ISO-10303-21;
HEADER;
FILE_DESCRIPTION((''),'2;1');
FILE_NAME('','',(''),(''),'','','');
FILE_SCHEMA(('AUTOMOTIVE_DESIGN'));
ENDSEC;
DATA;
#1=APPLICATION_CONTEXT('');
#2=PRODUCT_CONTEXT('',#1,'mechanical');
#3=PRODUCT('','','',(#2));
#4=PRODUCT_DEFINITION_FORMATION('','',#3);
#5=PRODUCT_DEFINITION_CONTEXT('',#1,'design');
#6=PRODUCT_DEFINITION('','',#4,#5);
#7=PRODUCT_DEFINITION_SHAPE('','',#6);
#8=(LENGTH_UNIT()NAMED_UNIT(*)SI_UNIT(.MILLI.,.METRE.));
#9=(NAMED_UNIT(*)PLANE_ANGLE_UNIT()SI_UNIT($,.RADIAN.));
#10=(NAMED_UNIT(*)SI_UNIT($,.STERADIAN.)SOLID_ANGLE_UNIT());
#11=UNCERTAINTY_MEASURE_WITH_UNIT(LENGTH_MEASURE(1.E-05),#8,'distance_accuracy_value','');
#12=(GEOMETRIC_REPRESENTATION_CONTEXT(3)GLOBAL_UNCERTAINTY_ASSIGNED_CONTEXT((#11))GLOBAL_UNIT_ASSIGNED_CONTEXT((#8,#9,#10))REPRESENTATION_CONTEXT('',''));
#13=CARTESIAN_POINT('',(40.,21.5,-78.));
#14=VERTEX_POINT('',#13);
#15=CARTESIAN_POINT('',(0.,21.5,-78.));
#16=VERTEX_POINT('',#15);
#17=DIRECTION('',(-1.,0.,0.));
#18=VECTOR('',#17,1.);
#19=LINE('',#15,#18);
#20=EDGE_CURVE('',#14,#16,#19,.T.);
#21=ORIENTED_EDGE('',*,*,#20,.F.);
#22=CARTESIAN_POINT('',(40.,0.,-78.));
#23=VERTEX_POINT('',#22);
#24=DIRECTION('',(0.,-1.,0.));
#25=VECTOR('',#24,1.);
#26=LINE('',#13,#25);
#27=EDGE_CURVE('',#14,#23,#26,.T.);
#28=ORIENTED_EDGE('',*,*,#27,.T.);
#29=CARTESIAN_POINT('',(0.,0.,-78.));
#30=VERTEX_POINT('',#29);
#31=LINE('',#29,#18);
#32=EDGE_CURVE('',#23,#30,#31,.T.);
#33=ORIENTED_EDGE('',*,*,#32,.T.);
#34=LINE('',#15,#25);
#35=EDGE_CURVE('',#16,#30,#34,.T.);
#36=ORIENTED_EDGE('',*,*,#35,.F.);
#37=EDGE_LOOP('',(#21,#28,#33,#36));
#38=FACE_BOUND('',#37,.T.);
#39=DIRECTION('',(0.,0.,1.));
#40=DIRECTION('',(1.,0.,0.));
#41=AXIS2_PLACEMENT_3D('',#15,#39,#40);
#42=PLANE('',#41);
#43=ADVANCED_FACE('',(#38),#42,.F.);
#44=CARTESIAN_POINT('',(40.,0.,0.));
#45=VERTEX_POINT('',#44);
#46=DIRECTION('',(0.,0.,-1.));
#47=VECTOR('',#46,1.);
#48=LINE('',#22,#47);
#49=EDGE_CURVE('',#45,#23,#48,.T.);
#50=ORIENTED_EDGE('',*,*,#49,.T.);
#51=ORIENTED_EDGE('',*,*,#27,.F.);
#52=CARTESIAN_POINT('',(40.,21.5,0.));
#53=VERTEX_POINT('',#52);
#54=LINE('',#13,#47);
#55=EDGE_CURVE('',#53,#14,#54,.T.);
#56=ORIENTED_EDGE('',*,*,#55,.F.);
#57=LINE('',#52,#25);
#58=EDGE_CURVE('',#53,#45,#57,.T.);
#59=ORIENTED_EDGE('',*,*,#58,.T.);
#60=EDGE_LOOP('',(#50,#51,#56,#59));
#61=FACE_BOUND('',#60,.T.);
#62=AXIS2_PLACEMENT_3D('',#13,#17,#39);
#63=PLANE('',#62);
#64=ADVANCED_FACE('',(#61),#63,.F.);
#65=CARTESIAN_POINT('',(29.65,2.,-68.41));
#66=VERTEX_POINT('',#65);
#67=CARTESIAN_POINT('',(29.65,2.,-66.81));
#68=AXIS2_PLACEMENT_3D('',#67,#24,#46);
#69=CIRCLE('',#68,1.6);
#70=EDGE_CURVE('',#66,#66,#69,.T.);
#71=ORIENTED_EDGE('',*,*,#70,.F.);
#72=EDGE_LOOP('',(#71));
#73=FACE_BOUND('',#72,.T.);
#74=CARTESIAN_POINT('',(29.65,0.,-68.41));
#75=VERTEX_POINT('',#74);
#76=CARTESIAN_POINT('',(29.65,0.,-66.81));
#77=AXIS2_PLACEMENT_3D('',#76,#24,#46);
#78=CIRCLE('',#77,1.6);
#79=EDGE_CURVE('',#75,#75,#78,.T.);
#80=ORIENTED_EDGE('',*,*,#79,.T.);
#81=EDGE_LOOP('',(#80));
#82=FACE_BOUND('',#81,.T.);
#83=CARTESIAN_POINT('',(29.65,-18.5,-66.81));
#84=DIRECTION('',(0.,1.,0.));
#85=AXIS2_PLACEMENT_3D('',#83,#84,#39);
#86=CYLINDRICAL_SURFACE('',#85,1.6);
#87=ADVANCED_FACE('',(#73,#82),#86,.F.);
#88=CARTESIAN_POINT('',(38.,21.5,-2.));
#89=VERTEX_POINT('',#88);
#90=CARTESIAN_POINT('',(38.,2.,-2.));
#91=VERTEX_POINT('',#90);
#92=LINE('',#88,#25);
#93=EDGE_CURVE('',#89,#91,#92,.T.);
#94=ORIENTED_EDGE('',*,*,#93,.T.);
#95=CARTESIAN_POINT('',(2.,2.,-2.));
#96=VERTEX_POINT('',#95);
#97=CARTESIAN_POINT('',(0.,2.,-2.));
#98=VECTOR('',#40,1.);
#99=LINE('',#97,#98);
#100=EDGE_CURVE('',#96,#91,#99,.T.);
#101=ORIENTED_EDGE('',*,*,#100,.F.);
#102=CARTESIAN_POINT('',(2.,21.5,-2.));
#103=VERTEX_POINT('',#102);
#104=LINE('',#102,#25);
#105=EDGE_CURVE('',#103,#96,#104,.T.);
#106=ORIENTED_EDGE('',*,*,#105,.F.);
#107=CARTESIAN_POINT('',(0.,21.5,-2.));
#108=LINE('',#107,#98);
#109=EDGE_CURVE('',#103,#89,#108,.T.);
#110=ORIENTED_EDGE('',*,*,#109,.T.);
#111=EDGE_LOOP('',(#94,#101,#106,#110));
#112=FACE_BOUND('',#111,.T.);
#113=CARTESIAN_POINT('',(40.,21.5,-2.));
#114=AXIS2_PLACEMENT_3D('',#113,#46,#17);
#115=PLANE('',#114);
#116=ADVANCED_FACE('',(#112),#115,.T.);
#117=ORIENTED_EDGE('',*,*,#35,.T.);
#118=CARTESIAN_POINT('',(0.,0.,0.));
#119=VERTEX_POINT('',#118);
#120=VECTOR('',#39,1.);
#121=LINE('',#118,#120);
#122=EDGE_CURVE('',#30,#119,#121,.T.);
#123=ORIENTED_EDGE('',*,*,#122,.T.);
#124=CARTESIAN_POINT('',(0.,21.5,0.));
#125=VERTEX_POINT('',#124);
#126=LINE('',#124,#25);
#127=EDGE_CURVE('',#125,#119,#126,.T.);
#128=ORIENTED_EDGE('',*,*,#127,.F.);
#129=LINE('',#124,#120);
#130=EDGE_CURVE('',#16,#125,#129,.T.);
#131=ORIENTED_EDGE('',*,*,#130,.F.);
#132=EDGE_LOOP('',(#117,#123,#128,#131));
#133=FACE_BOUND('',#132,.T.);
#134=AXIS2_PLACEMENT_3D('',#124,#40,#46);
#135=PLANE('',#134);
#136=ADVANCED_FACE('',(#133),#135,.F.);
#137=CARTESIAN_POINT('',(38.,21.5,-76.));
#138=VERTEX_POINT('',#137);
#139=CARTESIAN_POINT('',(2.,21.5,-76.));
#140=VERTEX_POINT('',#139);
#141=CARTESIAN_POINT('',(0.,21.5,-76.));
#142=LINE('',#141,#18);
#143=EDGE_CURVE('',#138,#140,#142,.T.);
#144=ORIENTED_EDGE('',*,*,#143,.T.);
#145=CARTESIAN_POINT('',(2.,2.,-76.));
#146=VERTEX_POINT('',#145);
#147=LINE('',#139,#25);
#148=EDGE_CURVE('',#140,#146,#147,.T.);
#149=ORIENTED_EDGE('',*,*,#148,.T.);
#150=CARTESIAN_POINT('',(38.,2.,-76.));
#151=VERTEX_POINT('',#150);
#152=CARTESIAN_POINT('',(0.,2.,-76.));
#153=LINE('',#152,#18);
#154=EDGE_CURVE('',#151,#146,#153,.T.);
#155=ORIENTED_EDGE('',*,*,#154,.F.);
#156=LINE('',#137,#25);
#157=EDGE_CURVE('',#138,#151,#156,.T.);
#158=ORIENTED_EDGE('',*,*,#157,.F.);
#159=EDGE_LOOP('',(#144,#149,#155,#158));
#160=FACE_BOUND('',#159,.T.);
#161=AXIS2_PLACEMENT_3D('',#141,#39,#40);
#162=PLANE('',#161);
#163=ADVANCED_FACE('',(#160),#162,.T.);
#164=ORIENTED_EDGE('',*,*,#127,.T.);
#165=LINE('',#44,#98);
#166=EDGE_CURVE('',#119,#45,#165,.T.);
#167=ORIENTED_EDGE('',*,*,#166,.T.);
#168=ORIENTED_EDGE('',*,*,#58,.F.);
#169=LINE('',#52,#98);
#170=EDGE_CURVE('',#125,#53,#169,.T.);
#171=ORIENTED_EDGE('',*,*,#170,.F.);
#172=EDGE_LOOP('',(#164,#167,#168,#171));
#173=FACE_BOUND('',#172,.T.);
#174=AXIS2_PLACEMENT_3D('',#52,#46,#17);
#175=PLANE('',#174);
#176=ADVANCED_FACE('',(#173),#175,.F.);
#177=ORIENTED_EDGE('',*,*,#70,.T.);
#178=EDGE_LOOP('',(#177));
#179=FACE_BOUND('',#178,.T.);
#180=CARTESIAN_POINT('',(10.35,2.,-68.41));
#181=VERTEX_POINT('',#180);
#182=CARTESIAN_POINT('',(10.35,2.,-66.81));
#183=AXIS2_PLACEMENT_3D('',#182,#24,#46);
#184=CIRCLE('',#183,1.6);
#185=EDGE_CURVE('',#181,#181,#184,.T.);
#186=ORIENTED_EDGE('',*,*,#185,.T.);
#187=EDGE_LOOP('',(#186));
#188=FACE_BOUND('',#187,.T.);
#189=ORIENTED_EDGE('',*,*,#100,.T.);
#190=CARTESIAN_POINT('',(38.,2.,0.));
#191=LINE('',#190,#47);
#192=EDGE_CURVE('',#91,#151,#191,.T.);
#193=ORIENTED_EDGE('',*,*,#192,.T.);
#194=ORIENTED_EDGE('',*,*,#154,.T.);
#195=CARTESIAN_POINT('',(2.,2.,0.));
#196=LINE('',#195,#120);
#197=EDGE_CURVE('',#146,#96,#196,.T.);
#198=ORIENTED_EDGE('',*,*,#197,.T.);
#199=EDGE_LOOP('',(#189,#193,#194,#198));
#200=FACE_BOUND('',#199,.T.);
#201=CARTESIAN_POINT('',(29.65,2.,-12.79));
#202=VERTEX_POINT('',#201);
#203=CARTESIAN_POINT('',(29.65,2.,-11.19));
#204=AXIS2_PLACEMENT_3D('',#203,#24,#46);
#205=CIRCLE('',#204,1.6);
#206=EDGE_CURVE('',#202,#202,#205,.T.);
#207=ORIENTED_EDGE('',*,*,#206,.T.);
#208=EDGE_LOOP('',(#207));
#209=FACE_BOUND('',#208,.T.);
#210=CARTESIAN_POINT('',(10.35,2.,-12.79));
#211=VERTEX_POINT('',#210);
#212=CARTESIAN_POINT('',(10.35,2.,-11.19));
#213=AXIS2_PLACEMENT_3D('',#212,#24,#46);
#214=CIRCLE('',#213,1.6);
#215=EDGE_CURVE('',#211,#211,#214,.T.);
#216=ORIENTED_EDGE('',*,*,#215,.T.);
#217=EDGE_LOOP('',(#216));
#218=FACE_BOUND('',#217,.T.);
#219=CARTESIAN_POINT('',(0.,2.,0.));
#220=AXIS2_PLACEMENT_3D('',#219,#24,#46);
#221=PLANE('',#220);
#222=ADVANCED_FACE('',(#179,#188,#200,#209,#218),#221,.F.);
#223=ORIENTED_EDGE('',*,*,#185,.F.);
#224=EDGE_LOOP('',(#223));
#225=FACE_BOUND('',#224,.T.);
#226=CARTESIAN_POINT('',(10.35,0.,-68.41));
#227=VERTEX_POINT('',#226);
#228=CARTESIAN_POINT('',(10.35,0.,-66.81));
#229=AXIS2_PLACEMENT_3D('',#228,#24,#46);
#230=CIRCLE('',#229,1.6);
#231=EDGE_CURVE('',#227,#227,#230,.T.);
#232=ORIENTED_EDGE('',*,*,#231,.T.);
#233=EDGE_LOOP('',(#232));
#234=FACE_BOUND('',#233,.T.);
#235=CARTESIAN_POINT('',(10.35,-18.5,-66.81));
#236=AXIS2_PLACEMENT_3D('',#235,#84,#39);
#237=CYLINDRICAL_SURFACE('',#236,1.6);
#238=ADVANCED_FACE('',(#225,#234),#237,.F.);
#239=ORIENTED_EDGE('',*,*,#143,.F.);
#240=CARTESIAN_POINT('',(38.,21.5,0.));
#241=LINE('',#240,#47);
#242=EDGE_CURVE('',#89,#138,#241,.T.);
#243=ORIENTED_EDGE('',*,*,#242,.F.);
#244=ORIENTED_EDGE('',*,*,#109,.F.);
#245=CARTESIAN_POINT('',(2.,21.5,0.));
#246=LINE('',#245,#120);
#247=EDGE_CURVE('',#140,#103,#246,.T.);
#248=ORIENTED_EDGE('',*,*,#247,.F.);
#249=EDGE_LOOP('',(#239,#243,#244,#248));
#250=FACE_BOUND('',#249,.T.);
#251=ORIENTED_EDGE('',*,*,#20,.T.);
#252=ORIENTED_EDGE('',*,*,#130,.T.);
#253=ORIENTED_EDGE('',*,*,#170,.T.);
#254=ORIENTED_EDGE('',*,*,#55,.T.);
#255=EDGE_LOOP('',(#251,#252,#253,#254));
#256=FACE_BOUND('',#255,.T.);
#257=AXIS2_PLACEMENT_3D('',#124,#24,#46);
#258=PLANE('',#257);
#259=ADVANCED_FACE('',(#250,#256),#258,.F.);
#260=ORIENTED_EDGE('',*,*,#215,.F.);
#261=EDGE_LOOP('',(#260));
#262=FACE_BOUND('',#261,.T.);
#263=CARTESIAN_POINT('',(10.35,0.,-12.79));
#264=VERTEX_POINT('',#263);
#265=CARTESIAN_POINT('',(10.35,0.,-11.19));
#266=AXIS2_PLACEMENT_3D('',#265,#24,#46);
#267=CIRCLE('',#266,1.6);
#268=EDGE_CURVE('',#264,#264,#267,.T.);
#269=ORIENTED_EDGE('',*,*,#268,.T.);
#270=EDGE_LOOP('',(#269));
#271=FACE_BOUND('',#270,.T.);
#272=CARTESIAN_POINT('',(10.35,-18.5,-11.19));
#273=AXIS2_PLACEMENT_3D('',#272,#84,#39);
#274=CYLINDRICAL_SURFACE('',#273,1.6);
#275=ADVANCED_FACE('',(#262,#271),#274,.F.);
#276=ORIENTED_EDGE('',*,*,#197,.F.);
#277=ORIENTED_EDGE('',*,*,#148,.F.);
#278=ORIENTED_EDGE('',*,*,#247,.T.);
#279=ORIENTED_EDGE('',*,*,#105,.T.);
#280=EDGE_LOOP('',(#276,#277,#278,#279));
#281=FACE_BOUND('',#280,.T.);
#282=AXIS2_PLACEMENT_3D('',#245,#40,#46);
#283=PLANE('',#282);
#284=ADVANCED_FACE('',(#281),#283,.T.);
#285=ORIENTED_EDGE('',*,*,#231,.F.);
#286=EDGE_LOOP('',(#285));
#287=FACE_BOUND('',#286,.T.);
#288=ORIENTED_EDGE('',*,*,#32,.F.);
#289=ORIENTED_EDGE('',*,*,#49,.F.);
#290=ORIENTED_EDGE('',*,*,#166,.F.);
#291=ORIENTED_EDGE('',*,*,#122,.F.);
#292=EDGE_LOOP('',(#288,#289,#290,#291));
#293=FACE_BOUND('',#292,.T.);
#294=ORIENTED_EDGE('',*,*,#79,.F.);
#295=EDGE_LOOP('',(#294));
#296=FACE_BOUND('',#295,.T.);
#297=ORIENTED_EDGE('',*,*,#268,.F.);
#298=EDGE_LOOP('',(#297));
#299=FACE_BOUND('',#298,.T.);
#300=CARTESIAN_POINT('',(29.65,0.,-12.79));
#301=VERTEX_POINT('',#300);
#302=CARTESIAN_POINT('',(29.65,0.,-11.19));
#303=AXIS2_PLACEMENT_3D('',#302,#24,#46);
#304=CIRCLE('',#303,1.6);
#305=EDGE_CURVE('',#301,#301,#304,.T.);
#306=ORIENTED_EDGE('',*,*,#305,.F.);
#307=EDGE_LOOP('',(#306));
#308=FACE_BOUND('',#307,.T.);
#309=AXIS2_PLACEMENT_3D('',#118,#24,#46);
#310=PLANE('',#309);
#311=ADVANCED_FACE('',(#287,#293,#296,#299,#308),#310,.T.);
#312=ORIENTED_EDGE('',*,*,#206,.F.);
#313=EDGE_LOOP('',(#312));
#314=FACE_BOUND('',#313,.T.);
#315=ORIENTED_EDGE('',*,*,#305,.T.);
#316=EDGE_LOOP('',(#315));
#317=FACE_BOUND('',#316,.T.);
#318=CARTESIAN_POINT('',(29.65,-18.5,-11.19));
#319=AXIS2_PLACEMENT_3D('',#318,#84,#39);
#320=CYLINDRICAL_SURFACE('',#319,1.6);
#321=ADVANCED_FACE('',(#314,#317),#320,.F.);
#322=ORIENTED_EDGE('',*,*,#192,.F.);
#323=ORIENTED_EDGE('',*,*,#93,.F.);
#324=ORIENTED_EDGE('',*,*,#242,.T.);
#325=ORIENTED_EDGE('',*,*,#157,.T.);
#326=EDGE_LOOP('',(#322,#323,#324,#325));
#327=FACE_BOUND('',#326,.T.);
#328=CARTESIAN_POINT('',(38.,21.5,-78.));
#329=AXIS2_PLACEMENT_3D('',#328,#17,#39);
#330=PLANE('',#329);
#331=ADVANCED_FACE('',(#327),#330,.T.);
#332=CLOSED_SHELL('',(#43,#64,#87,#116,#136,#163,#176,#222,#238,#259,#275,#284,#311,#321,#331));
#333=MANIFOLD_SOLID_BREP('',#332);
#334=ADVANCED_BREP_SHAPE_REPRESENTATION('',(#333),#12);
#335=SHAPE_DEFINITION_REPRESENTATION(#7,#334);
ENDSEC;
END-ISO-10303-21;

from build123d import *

# Parameters (mm, degrees)
SKETCH_1_W          = 40
SKETCH_1_H          = 78
EXTRUDE_1_DEPTH     = 21.5
SHELL_1_T           = -2
SKETCH_2_R          = 1.6
CUT_EXTRUDE_1_DEPTH = 40


with BuildPart() as part:
    # Эскиз1 → Бобышка-Вытянуть1 (new body)
    with BuildSketch(Plane(origin=(0, 0, 0), x_dir=(1, 0, 0), z_dir=(0, 1, 0))):
        with Locations((20, 39)):
            Rectangle(SKETCH_1_W, SKETCH_1_H)
    extrude(amount=EXTRUDE_1_DEPTH)

    # Оболочка1
    shell_1_openings = [part.faces().sort_by_distance(p)[0] for p in [
        (20, 21.5, -39),
    ]]
    offset(amount=SHELL_1_T, openings=shell_1_openings, kind=Kind.INTERSECTION)

    # Эскиз2 → Вырез-Вытянуть1 (cut)
    with BuildSketch(Plane(origin=(0, 21.5, 0), x_dir=(1, 0, 0), z_dir=(0, 1, 0))):
        with Locations(Location((10.35, 66.81, 0), (0, 0, 90))):
            Circle(SKETCH_2_R)
        with Locations(Location((29.65, 66.81, 0), (0, 0, 90))):
            Circle(SKETCH_2_R)
        with Locations(Location((29.65, 11.19, 0), (0, 0, 90))):
            Circle(SKETCH_2_R)
        with Locations(Location((10.35, 11.19, 0), (0, 0, 90))):
            Circle(SKETCH_2_R)
    extrude(amount=-CUT_EXTRUDE_1_DEPTH, mode=Mode.SUBTRACT)


solid = part.part
